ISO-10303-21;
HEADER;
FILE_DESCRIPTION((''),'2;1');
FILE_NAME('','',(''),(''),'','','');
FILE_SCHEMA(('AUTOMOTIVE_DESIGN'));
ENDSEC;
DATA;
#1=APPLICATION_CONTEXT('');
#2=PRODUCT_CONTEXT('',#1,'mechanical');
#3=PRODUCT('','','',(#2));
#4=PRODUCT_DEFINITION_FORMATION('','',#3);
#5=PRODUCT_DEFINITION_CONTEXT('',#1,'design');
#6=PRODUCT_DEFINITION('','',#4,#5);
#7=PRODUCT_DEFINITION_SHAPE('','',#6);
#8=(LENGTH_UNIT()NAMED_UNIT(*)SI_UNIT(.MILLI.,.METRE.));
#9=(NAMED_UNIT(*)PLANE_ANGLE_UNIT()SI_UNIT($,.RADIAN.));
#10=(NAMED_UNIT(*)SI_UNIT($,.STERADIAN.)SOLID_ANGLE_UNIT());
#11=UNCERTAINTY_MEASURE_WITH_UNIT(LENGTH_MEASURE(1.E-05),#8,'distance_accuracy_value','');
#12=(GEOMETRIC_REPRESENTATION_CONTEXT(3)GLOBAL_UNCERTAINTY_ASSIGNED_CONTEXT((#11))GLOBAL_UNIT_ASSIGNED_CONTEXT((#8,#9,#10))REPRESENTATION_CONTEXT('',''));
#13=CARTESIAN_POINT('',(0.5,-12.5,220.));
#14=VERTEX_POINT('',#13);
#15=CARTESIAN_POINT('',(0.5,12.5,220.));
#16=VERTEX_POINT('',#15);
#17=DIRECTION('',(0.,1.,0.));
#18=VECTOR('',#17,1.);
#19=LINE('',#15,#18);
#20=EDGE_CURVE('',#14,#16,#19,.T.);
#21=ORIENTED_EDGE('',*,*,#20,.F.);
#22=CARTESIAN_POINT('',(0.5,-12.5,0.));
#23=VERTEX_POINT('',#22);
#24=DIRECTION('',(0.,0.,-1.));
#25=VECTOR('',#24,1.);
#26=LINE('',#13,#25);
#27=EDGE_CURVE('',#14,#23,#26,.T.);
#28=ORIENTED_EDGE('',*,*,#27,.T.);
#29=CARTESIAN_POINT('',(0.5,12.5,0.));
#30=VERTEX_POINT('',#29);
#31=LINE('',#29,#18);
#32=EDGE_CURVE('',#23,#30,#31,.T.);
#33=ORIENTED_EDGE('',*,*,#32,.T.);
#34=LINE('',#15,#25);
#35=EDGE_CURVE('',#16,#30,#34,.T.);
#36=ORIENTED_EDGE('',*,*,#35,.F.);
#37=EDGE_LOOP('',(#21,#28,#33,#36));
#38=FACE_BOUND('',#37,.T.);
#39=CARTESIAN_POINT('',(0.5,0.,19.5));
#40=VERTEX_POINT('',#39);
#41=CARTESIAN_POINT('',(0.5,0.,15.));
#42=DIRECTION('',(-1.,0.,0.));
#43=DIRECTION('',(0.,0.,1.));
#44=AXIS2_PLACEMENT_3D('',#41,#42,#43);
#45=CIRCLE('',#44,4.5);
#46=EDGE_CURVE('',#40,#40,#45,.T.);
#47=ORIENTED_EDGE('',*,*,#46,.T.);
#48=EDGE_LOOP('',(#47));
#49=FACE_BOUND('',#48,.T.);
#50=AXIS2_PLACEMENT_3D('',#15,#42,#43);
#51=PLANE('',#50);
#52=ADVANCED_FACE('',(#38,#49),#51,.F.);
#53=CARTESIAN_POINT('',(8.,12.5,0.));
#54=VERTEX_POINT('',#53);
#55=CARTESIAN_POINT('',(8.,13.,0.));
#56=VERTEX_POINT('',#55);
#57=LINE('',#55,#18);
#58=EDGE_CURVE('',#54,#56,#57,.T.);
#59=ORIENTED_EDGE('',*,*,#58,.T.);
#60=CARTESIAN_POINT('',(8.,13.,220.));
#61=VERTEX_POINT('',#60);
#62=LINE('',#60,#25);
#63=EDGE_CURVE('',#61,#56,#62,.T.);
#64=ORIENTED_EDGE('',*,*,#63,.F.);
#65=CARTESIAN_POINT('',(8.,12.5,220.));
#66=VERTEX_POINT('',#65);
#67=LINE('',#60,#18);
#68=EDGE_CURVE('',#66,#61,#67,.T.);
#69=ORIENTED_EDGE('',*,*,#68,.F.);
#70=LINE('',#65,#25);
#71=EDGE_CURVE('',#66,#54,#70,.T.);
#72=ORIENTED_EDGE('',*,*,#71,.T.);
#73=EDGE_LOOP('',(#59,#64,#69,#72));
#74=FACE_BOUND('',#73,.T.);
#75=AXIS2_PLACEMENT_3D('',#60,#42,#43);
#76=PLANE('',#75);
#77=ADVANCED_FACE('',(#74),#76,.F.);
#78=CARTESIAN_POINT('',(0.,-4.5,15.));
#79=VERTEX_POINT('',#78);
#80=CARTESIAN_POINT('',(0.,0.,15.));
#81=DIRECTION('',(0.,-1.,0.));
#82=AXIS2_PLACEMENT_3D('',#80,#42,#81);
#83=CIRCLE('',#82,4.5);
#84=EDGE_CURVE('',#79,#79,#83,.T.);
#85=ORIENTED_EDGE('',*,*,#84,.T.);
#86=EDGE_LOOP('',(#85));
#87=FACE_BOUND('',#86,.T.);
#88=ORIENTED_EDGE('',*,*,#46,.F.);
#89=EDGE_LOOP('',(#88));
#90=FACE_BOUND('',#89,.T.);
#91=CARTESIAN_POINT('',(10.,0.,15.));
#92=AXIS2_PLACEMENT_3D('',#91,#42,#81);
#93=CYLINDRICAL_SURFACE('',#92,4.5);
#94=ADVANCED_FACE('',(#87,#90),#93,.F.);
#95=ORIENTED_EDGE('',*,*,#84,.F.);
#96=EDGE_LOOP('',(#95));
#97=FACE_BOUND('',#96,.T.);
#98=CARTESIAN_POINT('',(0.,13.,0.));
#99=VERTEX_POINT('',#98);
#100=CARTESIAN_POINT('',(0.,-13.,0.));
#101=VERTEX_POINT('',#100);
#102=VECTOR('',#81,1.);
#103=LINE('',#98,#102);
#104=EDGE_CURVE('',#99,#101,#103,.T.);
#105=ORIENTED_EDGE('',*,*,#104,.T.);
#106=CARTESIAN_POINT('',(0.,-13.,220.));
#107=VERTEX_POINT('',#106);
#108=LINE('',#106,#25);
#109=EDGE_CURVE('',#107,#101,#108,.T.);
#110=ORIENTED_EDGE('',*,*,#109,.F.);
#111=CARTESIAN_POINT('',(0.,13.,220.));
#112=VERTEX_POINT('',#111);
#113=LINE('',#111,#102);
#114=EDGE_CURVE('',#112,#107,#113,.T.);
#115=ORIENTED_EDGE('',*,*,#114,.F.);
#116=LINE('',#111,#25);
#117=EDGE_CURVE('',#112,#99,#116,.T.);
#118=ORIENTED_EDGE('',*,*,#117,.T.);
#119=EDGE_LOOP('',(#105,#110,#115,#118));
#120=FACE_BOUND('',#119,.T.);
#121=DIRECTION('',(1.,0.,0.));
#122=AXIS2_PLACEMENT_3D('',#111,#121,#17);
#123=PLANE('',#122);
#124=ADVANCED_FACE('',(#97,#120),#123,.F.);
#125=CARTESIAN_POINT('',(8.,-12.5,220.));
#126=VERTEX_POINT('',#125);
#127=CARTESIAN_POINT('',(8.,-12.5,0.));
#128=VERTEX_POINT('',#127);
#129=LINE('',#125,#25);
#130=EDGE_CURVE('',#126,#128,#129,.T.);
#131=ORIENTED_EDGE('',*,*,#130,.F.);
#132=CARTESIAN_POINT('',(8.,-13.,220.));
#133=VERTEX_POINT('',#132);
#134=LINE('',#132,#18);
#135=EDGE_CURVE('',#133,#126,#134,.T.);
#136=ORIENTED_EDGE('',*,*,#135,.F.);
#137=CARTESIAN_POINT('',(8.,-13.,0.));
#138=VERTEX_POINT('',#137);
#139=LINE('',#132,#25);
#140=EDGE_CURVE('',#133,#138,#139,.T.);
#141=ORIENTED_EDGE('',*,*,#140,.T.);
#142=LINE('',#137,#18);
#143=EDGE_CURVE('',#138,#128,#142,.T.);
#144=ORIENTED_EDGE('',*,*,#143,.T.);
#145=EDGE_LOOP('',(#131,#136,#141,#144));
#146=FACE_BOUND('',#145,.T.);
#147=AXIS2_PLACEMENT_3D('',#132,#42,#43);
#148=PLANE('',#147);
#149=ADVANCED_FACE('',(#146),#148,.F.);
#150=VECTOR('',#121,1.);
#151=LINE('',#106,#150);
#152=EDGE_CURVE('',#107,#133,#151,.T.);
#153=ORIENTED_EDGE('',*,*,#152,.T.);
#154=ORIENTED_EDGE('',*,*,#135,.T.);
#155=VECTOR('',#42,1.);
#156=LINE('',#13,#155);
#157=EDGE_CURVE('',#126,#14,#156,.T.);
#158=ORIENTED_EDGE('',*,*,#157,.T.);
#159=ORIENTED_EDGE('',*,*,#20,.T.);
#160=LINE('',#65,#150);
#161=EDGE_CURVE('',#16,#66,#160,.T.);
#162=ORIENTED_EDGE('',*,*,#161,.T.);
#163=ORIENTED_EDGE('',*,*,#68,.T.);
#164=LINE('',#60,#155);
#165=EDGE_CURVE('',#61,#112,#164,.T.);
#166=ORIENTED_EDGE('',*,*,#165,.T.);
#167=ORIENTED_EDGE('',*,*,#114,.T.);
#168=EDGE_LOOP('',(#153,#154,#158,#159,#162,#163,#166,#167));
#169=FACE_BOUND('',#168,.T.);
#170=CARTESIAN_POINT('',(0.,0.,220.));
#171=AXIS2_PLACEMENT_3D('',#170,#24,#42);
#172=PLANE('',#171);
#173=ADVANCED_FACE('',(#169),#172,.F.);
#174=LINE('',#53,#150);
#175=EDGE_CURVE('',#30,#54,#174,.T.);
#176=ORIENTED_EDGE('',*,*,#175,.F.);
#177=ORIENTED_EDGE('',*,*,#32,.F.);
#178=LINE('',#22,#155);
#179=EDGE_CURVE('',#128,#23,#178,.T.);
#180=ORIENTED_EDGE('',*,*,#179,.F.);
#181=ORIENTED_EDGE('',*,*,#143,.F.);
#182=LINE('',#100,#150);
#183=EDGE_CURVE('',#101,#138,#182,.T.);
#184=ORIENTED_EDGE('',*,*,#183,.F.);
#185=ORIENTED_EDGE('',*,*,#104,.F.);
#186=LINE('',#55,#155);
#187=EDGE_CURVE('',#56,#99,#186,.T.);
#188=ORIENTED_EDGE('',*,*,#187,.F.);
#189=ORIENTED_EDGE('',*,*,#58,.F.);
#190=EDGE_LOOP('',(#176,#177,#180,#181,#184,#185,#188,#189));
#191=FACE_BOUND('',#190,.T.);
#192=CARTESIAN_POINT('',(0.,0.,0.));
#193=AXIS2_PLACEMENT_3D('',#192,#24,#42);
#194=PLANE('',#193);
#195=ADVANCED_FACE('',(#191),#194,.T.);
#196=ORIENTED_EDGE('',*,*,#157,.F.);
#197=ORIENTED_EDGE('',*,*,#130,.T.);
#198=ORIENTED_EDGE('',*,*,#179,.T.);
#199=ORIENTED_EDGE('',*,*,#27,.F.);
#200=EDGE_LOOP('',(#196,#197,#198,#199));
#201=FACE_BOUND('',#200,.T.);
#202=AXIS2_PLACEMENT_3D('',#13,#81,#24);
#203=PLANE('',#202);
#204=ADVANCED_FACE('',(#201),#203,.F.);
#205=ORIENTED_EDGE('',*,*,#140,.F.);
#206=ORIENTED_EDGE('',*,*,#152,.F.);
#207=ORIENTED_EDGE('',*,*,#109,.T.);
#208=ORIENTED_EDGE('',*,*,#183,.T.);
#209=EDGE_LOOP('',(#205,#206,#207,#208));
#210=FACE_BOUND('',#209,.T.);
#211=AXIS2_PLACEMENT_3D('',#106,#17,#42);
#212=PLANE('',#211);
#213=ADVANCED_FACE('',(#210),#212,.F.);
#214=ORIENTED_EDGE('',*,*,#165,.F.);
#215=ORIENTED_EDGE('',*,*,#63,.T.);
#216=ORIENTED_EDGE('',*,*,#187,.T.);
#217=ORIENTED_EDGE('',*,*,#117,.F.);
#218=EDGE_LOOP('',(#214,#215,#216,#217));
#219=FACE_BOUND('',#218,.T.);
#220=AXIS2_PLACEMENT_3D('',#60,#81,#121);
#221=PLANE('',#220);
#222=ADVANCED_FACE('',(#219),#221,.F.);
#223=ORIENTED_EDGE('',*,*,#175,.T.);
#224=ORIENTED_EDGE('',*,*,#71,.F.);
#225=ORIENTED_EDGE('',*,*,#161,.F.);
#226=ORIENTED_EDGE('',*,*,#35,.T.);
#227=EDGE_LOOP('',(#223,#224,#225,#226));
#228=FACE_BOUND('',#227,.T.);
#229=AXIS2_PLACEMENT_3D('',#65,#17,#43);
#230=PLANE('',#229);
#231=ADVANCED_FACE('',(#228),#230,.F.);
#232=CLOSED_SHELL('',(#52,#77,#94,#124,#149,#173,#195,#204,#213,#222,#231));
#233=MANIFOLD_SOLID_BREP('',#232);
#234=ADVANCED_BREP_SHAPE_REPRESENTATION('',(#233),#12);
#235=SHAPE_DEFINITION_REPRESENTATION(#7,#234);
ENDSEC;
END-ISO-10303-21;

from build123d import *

# Parameters (mm, degrees)
RESSALTO_EXTRUS_O1_DEPTH = 220
ESBO_O2_R                = 4.5
CORTE_EXTRUS_O1_DEPTH    = 10


with BuildPart() as part:
    # Esboço1 → Ressalto-extrusão1 (new body)
    with BuildSketch(Plane.XY):
        Polygon((8, 13), (0, 13), (0, -13), (8, -13), (8, -12.5), (0.5, -12.5), (0.5, 12.5), (8, 12.5), align=None)
    extrude(amount=RESSALTO_EXTRUS_O1_DEPTH)

    # Esboço2 → Corte-extrusão1 (cut)
    with BuildSketch(Plane.ZY):
        with Locations((15, 0)):
            Circle(ESBO_O2_R)
    extrude(amount=-CORTE_EXTRUS_O1_DEPTH, mode=Mode.SUBTRACT)


solid = part.part
